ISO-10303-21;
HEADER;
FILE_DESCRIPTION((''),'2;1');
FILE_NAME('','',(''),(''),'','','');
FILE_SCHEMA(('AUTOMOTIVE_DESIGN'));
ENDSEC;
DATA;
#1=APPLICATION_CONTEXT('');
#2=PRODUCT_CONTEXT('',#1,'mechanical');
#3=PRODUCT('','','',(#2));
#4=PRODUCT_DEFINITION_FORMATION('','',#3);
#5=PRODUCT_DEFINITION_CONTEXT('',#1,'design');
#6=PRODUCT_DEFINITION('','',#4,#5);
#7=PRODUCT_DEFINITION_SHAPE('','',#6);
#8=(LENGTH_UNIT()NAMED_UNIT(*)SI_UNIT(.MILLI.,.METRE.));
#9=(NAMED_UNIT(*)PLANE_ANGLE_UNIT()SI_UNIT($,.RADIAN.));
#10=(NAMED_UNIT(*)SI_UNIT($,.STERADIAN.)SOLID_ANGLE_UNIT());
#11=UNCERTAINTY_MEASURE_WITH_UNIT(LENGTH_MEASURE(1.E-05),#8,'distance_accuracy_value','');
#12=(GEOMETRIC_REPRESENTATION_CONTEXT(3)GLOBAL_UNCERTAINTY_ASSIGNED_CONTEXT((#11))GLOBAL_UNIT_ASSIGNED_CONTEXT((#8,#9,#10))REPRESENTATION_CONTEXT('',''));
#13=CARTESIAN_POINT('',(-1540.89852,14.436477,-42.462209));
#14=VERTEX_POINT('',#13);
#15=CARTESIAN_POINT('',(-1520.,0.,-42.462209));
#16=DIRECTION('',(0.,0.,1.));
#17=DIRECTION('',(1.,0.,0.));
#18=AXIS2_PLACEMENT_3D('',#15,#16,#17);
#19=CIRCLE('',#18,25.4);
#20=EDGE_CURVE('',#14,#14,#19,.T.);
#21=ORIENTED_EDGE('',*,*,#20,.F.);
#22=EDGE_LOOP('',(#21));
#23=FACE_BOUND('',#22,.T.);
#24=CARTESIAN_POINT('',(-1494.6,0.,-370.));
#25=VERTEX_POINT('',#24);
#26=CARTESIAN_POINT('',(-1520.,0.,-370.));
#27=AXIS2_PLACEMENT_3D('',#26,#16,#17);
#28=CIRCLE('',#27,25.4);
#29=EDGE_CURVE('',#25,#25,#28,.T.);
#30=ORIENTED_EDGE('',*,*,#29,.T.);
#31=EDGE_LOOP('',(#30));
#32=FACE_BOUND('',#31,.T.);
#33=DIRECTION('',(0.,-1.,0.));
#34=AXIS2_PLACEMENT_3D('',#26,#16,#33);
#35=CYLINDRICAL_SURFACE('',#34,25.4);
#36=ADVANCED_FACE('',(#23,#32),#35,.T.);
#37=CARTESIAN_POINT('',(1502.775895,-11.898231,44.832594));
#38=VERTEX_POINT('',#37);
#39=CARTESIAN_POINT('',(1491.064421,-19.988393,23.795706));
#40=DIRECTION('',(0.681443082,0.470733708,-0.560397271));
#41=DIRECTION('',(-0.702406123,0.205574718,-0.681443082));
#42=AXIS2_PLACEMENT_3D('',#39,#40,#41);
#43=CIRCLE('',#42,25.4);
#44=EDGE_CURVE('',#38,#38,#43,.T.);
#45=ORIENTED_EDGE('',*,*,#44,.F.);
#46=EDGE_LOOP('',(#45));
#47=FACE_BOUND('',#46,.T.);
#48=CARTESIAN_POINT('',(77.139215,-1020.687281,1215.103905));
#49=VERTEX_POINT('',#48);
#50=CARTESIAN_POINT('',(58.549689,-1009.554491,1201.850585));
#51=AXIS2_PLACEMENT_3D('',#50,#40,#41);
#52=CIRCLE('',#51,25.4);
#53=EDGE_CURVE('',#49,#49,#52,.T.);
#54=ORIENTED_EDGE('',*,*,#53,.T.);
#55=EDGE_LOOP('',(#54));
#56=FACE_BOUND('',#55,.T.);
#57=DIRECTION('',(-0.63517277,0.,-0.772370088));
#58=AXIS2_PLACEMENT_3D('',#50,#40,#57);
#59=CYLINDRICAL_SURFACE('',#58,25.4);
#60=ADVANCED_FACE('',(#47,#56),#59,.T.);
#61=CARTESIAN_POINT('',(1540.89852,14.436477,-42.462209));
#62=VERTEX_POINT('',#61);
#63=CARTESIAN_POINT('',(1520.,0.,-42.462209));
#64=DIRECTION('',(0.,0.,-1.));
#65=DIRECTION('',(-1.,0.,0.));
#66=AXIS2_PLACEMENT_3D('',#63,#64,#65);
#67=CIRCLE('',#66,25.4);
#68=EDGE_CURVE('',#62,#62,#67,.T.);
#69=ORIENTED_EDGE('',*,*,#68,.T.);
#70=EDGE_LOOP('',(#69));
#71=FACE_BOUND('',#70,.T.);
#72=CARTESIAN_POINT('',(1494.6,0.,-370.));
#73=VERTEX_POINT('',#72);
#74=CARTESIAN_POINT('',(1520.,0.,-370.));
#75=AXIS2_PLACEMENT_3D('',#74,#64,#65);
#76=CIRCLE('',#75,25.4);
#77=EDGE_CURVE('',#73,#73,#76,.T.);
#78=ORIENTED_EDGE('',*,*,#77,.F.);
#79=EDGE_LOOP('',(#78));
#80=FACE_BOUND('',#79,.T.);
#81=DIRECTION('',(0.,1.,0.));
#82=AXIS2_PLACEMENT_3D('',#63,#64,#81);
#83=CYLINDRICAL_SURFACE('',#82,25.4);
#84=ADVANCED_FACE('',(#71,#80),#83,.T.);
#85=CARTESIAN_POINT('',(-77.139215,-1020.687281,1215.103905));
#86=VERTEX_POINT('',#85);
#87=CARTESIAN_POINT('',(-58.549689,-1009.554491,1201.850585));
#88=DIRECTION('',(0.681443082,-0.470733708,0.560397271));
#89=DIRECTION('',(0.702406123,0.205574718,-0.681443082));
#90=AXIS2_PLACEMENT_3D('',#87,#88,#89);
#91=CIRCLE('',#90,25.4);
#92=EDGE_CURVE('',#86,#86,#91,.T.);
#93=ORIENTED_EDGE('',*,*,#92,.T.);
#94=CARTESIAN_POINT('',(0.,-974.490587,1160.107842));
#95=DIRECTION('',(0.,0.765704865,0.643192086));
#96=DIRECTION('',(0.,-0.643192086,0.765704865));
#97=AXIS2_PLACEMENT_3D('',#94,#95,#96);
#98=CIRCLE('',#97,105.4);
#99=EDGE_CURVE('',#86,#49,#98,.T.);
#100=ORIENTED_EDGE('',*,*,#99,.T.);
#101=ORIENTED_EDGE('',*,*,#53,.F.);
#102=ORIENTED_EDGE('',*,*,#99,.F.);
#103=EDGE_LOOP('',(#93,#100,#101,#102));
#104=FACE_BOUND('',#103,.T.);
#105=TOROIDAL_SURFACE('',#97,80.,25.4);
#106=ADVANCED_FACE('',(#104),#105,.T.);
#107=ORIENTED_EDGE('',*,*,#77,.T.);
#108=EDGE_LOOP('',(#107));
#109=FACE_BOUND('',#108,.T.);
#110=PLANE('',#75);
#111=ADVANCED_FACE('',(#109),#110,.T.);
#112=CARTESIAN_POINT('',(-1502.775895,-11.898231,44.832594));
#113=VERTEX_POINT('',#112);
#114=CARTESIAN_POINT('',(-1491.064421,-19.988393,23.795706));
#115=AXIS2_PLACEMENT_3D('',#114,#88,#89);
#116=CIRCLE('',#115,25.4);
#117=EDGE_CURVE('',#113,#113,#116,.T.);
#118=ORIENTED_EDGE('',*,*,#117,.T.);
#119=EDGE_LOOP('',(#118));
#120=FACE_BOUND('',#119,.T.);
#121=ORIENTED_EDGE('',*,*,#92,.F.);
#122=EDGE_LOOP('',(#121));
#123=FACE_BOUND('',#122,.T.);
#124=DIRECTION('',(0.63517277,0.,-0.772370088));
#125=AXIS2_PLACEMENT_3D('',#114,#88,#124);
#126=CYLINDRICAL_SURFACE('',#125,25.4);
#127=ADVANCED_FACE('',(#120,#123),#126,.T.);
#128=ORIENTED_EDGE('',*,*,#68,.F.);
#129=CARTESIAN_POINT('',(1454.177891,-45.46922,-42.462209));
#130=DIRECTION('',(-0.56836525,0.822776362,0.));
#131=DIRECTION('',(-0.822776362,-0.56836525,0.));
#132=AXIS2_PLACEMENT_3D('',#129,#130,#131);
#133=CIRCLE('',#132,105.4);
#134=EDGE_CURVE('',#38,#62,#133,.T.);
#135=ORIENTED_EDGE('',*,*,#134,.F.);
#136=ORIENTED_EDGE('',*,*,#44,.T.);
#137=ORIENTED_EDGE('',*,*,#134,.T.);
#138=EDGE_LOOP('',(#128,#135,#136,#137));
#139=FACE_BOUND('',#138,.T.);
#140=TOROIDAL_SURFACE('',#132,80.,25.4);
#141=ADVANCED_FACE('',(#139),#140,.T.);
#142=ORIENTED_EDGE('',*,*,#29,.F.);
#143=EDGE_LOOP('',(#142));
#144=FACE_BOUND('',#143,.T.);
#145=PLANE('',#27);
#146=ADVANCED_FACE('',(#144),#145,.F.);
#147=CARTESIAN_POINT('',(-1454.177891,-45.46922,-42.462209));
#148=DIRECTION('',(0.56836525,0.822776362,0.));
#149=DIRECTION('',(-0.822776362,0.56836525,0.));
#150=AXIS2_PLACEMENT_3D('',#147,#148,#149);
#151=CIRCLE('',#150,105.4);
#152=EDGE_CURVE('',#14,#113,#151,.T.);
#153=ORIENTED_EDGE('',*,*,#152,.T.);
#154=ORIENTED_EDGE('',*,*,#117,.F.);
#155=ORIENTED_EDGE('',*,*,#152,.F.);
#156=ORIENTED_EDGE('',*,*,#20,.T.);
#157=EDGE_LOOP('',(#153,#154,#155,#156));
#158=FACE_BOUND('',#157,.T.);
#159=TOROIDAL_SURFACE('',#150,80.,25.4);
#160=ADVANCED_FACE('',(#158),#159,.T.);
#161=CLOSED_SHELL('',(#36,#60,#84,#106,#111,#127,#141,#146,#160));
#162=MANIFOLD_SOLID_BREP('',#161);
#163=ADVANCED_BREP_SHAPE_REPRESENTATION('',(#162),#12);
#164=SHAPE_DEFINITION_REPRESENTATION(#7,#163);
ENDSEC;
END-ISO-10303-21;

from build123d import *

# Parameters (mm, degrees)
CROQUIS5_R = 25.4


with BuildPart() as part:
    # Barrer1: sweep along a curve in space
    with BuildLine() as barrer1_path:
        Line((-1520, 0, -370), (-1520, 0, -42.462209189))
        ThreePointArc((-1520, 0, -42.462209189), (-1512.31780522, -5.306779289, -4.955826649), (-1491.064421296, -19.988393184, 23.795706171))
        Line((-1491.064421296, -19.988393184, 23.795706171), (-58.549689027, -1009.554491133, 1201.850584682))
        ThreePointArc((-58.549689027, -1009.554491133, 1201.850584682), (0, -1025.945954224, 1221.364231219), (58.549689027, -1009.554491133, 1201.850584682))
        Line((58.549689027, -1009.554491133, 1201.850584682), (1491.064421296, -19.988393184, 23.795706171))
        ThreePointArc((1491.064421296, -19.988393184, 23.795706171), (1512.31780522, -5.306779289, -4.955826649), (1520, 0, -42.462209189))
        Line((1520, 0, -42.462209189), (1520, 0, -370))
    # Croquis5 → Barrer1 (sweep)
    with BuildSketch(Plane.XY.offset(-370)):
        with Locations((-1520, 0)):
            Circle(CROQUIS5_R)
    sweep(path=barrer1_path.line)


solid = part.part
